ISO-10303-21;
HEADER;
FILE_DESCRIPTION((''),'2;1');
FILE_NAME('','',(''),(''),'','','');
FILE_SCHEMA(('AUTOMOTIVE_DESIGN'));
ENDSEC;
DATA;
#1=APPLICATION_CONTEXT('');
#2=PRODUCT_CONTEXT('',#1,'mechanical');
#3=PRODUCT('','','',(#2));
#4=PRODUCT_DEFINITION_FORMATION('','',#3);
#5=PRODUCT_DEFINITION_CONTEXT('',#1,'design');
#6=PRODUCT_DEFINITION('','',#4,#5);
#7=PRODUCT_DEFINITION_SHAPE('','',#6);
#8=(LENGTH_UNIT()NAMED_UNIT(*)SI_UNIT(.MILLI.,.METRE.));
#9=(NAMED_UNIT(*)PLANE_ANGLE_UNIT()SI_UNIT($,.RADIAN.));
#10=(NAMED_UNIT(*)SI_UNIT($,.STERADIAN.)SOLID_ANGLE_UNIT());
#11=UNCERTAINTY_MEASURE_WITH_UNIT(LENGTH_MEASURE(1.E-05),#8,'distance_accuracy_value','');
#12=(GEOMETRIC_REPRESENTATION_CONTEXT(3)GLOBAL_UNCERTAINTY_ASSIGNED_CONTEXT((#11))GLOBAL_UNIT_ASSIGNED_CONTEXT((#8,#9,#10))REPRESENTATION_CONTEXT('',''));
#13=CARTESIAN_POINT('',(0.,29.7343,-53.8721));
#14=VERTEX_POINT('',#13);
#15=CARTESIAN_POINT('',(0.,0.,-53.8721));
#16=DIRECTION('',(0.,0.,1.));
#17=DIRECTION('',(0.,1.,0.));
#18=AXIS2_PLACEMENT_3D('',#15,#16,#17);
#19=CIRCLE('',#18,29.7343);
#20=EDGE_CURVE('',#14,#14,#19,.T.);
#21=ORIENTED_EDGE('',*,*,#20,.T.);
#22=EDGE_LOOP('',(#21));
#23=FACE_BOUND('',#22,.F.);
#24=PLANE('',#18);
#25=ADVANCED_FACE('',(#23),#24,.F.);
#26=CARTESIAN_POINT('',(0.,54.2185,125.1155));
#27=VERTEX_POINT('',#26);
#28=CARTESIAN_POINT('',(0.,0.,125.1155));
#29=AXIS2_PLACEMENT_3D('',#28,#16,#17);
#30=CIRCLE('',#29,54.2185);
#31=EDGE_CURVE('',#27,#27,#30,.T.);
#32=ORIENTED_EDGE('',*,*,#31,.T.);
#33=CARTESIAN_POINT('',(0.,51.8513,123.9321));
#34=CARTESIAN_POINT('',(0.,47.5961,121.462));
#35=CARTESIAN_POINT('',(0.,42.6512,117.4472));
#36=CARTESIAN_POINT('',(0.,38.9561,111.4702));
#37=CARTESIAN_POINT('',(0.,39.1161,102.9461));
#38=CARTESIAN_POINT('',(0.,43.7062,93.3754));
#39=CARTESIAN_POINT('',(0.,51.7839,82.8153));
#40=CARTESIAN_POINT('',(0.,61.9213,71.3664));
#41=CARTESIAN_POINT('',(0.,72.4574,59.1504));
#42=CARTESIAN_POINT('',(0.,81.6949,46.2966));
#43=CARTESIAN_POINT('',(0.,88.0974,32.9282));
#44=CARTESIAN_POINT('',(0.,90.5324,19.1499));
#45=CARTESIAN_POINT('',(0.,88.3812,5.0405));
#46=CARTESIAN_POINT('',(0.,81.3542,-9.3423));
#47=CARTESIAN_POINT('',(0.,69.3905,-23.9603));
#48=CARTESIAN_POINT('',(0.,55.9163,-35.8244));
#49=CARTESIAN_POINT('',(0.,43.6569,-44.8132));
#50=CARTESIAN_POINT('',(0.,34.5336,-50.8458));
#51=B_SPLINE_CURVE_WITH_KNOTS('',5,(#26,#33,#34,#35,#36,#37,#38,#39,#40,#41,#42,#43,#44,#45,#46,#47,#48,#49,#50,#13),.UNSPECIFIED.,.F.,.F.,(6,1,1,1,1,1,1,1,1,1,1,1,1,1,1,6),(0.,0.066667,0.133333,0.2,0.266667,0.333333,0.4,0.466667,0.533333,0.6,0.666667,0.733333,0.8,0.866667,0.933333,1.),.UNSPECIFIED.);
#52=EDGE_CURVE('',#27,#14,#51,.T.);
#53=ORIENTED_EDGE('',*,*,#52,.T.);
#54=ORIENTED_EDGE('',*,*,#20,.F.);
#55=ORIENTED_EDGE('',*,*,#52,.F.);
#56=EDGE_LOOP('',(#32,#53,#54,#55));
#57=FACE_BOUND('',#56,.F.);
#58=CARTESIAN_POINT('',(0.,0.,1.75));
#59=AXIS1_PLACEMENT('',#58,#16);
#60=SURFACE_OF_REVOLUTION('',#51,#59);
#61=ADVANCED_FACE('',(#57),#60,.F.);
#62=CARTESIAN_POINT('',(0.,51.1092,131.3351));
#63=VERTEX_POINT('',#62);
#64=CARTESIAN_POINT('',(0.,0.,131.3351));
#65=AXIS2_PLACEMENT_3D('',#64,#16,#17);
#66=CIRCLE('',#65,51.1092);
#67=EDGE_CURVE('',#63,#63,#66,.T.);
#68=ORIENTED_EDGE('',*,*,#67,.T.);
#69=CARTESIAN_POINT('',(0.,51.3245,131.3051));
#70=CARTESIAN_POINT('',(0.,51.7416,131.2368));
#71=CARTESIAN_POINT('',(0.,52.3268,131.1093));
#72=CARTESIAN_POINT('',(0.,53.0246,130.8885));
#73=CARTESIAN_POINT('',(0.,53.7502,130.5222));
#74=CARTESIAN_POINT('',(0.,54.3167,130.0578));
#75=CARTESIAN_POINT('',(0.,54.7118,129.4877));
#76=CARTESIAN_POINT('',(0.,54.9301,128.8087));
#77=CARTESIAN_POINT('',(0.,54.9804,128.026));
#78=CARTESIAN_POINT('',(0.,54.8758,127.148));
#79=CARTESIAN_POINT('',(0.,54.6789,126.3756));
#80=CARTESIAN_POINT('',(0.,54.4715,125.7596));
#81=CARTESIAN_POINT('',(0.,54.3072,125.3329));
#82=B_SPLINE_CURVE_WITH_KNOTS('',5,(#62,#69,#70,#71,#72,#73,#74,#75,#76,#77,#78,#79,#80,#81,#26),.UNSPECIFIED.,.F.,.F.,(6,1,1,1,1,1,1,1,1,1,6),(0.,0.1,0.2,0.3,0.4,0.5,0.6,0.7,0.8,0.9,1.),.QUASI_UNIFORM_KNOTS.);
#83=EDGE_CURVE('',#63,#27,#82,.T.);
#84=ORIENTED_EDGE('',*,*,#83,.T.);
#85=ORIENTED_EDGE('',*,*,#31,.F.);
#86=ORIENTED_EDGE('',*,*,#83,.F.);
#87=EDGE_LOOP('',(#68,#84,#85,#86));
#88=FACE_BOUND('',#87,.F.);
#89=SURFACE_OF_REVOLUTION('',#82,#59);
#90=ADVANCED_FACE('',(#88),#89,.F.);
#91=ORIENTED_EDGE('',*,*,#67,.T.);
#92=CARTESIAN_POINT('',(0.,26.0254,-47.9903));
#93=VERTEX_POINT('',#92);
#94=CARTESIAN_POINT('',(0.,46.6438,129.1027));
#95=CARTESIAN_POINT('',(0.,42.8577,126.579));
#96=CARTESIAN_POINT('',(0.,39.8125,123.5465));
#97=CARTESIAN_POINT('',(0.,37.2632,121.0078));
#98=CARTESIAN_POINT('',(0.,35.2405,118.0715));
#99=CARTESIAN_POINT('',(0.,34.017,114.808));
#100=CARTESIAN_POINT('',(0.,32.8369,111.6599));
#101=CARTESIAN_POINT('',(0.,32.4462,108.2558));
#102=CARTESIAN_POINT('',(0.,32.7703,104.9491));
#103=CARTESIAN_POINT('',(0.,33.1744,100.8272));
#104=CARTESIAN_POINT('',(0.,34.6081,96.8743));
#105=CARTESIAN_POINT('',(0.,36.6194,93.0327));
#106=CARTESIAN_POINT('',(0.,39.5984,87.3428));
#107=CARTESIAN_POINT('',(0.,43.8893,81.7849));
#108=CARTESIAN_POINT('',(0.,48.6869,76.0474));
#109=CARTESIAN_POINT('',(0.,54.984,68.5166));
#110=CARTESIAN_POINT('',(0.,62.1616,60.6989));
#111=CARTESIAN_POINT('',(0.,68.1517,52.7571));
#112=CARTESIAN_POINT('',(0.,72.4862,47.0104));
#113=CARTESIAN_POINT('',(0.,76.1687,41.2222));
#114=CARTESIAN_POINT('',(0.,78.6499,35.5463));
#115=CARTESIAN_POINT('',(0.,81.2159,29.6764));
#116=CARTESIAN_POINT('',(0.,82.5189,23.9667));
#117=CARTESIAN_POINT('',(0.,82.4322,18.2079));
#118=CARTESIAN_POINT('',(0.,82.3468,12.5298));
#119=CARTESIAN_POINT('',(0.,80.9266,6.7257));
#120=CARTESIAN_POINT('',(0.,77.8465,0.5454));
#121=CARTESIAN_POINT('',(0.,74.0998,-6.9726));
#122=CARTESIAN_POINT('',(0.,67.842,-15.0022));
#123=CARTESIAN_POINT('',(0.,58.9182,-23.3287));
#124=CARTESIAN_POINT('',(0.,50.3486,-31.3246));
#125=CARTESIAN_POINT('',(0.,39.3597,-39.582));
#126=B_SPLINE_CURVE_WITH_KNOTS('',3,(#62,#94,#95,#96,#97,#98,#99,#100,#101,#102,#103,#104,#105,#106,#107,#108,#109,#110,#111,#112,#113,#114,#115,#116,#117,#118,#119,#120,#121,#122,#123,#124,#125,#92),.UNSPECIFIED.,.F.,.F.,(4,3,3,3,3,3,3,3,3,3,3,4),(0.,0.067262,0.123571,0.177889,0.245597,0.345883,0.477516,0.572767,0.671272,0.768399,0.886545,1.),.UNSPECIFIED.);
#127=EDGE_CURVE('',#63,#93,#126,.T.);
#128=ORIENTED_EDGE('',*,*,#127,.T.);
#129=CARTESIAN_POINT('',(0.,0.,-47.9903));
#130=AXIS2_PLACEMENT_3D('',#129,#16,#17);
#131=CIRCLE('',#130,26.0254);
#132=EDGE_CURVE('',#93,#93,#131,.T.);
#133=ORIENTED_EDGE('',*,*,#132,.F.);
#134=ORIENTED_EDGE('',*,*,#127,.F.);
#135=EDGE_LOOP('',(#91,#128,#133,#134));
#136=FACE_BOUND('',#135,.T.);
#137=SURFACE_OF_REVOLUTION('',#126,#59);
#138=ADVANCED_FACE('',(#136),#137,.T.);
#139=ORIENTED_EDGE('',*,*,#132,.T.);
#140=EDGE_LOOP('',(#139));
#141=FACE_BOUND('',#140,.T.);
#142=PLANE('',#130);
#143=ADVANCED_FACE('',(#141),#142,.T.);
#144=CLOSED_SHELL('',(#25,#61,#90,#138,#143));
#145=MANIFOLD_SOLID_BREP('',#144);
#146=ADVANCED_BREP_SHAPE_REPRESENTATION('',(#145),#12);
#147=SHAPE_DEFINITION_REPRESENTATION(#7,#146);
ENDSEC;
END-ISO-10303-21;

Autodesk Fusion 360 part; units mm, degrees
sketch "Sketch1" plane through (0, 0, 0) normal (0, 0, 1) x (1, 0, 0)
  line L0 (-50, 50) -> (50, 50)
  line L1 (50, 50) -> (50, -50)
  line L2 (50, -50) -> (-50, -50)
  line L3 (-50, -50) -> (-50, 50)
  line L4 (-50, 50) -> (50, -50) construction
  line L5 (50, 50) -> (-50, -50) construction
sketch "Sketch2" plane through (0, 0, 100) normal (0, 0, 1) x (-1, 0, 0)
sketch "Sketch3" plane through (0, 0, 100) normal (0, 0, 1) x (-1, 0, 0)
sketch "Sketch4" plane through (0, 0, 0) normal (1, 0, 0) x (0, 1, 0)
  spline S0 degree 5 poles (54.2185, 125.1155) (51.8513, 123.9321) (47.5961, 121.462) (42.6512, 117.4472) (38.9561, 111.4702) (39.1161, 102.9461) (43.7062, 93.3754) (51.7839, 82.8153) (61.9213, 71.3664) (72.4574, 59.1504) (81.6949, 46.2966) (88.0974, 32.9282) (90.5324, 19.1499) (88.3812, 5.0405) (81.3542, -9.3423) (69.3905, -23.9603) (55.9163, -35.8244) (43.6569, -44.8132) (34.5336, -50.8458) (29.7343, -53.8721) knots 0 0 0 0 0 0 0.066667 0.133333 0.2 0.266667 0.333333 0.4 0.466667 0.533333 0.6 0.666667 0.733333 0.8 0.866667 0.933333 1 1 1 1 1 1
  spline S1 degree 3 poles (51.1092, 131.3351) (46.6438, 129.1027) (42.8577, 126.579) (39.8125, 123.5465) (37.2632, 121.0078) (35.2405, 118.0715) (34.017, 114.808) (32.8369, 111.6599) (32.4462, 108.2558) (32.7703, 104.9491) (33.1744, 100.8272) (34.6081, 96.8743) (36.6194, 93.0327) (39.5984, 87.3428) (43.8893, 81.7849) (48.6869, 76.0474) (54.984, 68.5166) (62.1616, 60.6989) (68.1517, 52.7571) (72.4862, 47.0104) (76.1687, 41.2222) (78.6499, 35.5463) (81.2159, 29.6764) (82.5189, 23.9667) (82.4322, 18.2079) (82.3468, 12.5298) (80.9266, 6.7257) (77.8465, 0.5454) (74.0998, -6.9726) (67.842, -15.0022) (58.9182, -23.3287) (50.3486, -31.3246) (39.3597, -39.582) (26.0254, -47.9903) knots 0 0 0 0 0.067262 0.067262 0.067262 0.123571 0.123571 0.123571 0.177889 0.177889 0.177889 0.245597 0.245597 0.245597 0.345883 0.345883 0.345883 0.477516 0.477516 0.477516 0.572767 0.572767 0.572767 0.671272 0.671272 0.671272 0.768399 0.768399 0.768399 0.886545 0.886545 0.886545 1 1 1 1
  spline S2 degree 5 poles (51.1092, 131.3351) (51.3245, 131.3051) (51.7416, 131.2368) (52.3268, 131.1093) (53.0246, 130.8885) (53.7502, 130.5222) (54.3167, 130.0578) (54.7118, 129.4877) (54.9301, 128.8087) (54.9804, 128.026) (54.8758, 127.148) (54.6789, 126.3756) (54.4715, 125.7596) (54.3072, 125.3329) (54.2185, 125.1155) knots 0 0 0 0 0 0 0.1 0.2 0.3 0.4 0.5 0.6 0.7 0.8 0.9 1 1 1 1 1 1
  line L0 (29.7343, -53.8721) -> (0, -53.8721)
  line L1 (26.0254, -47.9903) -> (0, -47.9903)
  line L2 (0, -47.9903) -> (0, -53.8721)
  point P0 (41.0782, 100)
  point P1 (85.4569, 37.3103)
  point P2 (54.6322, 129.53)
  dimension "d12" = 6.9535
revolve "Revolve2" add sketch "Sketch4" angle 360 about axis through (0, 0, 1.75) along (0, 0, 1)
revolve "Revolve1" [suppressed]
